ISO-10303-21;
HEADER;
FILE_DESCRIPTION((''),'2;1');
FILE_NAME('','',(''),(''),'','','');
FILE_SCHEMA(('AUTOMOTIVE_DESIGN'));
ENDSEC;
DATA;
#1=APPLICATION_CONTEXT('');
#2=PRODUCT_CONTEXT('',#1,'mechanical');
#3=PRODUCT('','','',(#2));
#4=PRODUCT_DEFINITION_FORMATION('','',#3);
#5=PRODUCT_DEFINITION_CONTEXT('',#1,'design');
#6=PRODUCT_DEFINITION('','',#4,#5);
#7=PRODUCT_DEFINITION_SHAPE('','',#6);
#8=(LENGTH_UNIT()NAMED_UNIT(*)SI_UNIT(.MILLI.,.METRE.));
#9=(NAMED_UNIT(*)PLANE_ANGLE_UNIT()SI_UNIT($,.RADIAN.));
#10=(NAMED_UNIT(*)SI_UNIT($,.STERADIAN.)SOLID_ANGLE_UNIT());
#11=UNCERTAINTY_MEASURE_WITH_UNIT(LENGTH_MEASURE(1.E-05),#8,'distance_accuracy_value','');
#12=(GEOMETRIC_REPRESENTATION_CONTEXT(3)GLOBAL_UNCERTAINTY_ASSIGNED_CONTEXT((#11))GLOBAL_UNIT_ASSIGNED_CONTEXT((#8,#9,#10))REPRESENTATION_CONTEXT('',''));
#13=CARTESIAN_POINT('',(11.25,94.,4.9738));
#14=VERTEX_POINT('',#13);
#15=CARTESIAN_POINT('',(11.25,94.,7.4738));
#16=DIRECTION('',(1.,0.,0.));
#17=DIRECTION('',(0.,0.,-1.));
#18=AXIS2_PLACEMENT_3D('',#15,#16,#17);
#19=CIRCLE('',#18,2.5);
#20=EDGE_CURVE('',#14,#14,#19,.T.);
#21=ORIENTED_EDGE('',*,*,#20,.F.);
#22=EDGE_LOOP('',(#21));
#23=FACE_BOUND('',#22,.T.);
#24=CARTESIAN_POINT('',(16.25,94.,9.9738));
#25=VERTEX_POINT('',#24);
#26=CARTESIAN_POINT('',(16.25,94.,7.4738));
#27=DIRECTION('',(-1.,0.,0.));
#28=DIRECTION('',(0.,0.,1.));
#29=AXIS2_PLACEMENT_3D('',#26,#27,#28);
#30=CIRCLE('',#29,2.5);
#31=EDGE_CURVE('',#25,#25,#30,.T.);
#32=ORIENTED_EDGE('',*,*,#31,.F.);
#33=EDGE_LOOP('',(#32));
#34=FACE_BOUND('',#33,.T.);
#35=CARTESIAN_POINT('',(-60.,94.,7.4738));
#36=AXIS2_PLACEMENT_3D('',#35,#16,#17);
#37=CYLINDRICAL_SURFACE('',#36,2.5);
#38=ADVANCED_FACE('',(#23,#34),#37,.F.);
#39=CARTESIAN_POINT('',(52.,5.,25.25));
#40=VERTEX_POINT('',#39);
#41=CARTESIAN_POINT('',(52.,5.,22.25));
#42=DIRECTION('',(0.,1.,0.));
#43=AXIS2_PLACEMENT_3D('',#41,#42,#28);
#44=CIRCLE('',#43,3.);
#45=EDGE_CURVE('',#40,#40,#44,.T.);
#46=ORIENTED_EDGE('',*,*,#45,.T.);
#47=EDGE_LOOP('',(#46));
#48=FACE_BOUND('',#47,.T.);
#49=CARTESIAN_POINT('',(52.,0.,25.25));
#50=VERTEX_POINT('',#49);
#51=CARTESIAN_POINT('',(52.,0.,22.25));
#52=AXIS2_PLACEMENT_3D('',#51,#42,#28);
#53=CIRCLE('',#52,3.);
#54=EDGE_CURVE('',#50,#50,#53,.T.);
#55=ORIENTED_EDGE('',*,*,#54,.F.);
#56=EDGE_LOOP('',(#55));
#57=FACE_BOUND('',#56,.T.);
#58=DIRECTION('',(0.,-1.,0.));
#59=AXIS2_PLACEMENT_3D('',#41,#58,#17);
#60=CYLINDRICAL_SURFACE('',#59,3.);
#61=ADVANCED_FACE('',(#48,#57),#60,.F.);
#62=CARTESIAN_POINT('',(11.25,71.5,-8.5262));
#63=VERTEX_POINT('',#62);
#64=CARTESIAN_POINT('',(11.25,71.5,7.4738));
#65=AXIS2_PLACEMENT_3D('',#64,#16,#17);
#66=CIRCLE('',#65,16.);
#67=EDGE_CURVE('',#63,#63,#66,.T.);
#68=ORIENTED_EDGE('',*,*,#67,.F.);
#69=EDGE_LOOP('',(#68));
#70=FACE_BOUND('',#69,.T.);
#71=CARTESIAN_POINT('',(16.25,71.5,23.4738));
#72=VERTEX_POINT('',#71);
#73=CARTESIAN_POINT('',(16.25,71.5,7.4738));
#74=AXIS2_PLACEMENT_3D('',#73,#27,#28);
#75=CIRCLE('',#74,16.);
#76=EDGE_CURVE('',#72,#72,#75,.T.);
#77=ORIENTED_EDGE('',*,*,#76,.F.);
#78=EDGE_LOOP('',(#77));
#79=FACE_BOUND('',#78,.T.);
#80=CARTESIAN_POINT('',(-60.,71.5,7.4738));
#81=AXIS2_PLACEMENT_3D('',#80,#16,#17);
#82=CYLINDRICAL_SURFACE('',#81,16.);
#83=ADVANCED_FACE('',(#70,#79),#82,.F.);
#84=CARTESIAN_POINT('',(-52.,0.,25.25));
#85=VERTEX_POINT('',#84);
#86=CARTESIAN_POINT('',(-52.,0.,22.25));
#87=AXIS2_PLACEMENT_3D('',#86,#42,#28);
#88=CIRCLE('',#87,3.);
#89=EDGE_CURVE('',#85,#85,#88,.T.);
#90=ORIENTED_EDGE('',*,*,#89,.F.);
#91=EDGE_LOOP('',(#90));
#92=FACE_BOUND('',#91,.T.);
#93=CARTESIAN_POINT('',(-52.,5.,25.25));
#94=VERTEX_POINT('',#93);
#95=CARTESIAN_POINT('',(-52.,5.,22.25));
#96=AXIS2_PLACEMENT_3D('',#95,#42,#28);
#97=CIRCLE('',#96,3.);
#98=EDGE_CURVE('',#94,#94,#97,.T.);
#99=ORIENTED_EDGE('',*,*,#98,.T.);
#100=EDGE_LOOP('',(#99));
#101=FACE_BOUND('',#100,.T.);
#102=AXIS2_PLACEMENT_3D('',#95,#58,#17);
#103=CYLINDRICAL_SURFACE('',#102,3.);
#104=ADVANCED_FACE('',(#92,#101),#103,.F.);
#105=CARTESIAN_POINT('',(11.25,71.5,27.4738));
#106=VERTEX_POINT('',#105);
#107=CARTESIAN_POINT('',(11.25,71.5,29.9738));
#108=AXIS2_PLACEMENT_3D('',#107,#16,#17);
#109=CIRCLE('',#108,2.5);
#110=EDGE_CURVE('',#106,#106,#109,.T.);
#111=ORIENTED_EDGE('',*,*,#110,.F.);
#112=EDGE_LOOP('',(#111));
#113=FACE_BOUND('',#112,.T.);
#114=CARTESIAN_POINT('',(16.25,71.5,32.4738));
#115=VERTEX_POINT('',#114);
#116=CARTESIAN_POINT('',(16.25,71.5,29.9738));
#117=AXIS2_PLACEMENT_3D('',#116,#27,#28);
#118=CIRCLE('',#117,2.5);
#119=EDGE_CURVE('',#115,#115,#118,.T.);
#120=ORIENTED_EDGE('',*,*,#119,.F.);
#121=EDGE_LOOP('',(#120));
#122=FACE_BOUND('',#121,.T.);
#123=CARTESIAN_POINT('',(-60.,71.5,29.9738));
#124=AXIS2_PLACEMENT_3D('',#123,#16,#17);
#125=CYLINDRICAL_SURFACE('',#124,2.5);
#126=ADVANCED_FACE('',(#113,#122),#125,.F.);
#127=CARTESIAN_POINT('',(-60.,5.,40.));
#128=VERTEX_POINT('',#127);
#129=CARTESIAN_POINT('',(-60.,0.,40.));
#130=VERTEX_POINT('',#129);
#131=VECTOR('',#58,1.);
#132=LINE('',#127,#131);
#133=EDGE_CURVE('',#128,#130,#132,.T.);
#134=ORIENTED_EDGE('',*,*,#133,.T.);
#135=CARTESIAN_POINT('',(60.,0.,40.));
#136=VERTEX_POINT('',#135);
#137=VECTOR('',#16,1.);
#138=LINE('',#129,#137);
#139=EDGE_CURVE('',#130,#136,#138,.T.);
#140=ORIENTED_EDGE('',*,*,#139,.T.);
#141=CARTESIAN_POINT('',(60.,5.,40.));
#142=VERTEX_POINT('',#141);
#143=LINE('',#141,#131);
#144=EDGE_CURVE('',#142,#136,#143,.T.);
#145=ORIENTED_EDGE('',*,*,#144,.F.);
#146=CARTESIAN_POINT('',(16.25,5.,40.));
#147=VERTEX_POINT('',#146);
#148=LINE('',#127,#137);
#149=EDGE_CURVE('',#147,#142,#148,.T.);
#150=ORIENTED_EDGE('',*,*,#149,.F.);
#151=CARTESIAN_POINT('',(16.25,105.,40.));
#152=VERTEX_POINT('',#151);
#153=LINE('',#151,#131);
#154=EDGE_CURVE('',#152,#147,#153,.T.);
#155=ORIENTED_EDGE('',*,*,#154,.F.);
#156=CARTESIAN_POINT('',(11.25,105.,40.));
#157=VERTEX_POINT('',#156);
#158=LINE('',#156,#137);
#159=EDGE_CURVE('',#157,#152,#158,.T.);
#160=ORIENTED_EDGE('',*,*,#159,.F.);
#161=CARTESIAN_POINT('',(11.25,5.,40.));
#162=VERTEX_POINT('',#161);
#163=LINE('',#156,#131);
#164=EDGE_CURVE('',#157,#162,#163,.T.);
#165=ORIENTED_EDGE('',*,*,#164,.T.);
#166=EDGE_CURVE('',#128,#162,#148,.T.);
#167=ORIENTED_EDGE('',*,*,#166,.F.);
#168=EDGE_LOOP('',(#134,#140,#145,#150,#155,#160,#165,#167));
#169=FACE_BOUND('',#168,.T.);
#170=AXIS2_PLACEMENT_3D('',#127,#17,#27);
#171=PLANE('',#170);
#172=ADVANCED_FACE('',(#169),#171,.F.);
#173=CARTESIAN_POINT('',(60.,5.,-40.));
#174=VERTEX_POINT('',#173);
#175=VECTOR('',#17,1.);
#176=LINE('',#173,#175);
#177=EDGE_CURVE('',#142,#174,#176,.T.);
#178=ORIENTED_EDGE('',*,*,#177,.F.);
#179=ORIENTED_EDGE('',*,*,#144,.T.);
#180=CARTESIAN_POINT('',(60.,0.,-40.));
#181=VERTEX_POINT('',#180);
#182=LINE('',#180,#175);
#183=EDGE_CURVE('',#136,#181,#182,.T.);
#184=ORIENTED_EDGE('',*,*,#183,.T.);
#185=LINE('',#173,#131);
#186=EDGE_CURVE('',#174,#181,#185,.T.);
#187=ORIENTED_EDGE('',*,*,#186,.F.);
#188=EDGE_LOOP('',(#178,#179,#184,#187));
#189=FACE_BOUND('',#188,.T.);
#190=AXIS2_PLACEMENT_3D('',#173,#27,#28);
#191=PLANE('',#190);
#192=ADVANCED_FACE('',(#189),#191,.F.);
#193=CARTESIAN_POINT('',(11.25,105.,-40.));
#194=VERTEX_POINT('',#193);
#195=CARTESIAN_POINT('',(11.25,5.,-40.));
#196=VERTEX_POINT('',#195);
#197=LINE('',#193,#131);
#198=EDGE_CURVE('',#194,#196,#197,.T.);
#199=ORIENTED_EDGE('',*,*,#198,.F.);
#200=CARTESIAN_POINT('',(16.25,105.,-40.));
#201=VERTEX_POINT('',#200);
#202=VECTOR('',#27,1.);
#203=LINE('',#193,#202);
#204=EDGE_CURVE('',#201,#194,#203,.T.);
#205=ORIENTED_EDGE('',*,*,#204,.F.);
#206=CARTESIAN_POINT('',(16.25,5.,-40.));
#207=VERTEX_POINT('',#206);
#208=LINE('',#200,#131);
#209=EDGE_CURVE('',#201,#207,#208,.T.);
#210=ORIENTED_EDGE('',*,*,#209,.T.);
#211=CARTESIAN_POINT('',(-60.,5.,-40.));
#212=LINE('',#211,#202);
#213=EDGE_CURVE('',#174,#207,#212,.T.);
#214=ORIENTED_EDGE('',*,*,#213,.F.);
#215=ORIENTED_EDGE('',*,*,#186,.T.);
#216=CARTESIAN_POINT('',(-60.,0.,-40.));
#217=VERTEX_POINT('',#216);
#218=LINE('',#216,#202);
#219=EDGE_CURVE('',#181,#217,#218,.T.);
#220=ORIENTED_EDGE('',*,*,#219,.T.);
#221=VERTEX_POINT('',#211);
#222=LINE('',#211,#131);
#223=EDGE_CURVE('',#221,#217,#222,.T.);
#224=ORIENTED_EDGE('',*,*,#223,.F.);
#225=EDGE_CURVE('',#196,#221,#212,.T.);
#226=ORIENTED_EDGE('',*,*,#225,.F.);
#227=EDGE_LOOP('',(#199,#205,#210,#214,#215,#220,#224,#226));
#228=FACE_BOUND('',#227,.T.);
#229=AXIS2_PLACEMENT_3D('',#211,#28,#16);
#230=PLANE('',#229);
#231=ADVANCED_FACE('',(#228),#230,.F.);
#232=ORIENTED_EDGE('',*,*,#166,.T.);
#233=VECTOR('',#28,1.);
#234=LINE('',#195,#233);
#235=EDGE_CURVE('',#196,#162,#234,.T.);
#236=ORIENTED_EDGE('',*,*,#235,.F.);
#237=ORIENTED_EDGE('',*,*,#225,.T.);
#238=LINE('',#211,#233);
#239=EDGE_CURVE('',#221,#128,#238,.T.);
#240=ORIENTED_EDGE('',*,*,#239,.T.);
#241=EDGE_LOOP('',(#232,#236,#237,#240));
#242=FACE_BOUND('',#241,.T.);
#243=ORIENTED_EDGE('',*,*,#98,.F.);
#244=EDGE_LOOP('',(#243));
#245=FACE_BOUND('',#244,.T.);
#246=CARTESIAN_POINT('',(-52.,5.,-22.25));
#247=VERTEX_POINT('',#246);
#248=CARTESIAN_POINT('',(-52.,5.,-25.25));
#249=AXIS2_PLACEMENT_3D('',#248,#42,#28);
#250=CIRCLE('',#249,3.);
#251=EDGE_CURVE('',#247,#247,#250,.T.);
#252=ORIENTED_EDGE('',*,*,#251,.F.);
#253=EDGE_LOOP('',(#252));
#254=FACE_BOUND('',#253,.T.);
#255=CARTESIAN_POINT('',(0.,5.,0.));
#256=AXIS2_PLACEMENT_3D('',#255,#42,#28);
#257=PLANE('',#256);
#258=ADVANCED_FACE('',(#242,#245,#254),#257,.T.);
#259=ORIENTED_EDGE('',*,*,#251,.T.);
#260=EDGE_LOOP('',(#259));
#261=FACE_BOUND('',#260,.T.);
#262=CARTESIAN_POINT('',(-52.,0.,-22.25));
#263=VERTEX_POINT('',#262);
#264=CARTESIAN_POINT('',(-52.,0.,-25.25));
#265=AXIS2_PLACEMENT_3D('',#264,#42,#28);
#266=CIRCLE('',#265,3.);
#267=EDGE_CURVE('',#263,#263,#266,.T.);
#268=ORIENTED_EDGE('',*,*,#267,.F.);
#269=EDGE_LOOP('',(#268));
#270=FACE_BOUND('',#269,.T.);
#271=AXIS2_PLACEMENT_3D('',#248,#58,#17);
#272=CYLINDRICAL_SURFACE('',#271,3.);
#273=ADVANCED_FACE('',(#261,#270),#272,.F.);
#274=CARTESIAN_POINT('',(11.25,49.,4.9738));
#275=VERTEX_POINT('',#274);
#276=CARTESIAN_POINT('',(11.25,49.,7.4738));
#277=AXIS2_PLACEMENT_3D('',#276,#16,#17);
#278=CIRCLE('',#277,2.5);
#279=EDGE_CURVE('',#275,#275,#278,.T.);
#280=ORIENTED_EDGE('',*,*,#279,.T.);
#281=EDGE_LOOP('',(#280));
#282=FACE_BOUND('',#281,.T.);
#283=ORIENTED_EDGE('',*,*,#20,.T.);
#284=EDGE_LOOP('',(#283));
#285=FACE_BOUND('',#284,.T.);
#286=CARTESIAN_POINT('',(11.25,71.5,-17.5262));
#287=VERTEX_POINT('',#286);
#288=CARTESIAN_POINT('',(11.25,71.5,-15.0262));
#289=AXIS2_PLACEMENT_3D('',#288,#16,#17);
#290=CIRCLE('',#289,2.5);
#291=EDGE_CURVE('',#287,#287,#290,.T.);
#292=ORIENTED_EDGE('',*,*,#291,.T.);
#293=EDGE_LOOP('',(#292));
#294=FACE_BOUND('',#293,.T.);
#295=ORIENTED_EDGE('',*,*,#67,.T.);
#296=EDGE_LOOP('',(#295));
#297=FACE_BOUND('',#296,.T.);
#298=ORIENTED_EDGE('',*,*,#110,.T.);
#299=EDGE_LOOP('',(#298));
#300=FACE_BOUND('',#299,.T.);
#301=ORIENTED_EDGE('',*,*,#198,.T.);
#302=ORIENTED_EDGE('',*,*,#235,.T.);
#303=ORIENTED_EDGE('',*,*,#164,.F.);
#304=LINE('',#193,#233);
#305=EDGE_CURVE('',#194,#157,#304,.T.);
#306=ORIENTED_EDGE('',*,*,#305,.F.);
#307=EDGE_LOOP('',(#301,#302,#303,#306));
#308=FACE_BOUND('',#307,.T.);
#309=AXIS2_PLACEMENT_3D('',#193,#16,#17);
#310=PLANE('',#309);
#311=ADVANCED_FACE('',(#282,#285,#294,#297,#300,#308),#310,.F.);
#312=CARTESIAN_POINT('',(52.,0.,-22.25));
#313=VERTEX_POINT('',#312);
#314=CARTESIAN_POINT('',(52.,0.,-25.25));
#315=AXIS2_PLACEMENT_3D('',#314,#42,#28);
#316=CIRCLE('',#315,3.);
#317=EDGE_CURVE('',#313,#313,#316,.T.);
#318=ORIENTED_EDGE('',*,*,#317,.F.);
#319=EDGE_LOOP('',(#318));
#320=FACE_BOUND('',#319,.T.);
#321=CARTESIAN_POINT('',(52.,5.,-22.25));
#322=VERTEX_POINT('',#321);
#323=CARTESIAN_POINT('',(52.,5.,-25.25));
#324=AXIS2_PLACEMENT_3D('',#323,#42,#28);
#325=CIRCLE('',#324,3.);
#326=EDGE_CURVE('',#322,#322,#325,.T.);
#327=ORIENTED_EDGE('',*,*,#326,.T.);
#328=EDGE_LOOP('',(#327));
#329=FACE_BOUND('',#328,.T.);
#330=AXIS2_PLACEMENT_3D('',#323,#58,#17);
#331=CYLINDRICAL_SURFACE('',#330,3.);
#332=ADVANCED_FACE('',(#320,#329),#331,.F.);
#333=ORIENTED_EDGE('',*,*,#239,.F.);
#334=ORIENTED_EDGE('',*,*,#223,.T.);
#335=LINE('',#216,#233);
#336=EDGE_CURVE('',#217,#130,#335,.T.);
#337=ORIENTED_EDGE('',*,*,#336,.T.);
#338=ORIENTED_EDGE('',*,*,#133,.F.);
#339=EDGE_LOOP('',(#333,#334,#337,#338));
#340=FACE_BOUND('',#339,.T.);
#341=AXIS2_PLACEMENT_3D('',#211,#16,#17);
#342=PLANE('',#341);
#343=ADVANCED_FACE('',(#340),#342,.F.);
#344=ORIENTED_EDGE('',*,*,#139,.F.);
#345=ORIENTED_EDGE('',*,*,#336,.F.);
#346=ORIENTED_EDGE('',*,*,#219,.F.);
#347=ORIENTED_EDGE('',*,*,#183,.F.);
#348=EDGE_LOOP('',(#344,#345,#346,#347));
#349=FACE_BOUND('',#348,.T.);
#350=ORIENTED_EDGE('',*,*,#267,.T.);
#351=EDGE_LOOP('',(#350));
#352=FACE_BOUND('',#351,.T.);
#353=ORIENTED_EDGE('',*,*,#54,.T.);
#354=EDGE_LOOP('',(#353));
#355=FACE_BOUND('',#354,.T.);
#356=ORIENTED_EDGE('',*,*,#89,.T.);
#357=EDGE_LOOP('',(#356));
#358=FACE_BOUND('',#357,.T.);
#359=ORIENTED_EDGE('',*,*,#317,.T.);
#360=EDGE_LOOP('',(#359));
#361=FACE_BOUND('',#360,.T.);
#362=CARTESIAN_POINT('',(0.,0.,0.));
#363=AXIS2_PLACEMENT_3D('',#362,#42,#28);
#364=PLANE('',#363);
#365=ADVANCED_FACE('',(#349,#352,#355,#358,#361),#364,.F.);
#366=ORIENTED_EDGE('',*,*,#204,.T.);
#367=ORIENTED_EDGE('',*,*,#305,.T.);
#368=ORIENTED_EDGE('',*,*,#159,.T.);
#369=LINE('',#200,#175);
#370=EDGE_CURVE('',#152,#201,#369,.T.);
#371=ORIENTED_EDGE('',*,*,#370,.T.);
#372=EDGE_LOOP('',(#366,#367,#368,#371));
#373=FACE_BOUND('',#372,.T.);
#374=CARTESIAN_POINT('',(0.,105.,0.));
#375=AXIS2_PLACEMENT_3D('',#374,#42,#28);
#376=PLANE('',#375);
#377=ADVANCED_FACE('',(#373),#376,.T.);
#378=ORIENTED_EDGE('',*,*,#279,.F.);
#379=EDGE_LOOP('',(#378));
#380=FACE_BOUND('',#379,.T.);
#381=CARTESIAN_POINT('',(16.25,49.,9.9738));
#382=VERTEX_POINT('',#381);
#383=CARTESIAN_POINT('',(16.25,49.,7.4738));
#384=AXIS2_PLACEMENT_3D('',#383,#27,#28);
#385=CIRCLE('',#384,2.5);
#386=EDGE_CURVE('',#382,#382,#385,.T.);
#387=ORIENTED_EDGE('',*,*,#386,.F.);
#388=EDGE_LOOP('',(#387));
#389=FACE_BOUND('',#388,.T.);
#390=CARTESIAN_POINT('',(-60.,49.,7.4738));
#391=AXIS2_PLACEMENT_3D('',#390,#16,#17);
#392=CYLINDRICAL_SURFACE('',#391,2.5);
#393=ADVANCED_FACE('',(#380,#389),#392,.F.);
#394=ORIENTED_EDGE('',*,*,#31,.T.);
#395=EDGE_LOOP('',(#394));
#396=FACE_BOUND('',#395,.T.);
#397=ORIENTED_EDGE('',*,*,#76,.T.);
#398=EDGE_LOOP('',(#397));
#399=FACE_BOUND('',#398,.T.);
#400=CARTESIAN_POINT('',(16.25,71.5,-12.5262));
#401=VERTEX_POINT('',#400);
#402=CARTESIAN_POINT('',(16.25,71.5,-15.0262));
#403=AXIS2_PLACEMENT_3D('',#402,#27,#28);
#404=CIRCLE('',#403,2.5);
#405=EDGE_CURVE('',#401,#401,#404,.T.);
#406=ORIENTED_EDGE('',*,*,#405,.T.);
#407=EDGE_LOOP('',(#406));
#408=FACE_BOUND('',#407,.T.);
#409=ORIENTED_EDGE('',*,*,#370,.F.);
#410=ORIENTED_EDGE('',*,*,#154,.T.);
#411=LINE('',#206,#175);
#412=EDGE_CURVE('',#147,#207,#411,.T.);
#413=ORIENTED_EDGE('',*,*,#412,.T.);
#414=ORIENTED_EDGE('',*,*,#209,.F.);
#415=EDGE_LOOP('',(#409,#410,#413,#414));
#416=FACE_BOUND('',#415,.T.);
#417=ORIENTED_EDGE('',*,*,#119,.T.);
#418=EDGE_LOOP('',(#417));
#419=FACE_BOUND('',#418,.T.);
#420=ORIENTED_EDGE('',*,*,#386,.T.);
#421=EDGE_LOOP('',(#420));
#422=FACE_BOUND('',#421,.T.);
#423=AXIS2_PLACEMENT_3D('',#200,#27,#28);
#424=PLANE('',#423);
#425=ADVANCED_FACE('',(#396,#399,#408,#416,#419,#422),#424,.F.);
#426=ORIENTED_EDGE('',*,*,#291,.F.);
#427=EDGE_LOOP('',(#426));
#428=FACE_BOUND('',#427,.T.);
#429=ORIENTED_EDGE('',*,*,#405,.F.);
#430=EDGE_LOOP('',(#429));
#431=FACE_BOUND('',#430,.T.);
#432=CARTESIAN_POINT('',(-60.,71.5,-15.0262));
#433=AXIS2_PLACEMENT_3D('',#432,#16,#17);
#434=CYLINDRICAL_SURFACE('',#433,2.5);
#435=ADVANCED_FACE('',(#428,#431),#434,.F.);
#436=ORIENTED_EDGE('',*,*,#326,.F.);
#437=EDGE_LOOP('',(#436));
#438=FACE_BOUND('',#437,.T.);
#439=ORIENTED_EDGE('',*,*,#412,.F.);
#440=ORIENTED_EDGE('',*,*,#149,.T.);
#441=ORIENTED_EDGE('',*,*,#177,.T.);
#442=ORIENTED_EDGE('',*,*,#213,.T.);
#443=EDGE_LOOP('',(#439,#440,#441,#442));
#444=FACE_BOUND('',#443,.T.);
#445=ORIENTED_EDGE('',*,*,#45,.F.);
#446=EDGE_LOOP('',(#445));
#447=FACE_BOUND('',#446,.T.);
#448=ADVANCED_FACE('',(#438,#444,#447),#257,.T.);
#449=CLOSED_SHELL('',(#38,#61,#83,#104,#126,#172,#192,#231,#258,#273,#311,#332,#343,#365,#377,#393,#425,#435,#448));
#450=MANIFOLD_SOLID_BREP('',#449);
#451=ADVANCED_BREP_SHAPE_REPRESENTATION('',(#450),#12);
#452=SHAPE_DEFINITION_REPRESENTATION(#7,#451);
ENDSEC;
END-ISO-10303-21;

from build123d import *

# Parameters (mm, degrees)
SKETCH1_W               = 120
SKETCH1_H               = 80
SKETCH1_R               = 3
BOSS_EXTRUDE1_DEPTH     = 5
SKETCH2_W               = 5
SKETCH2_H               = 80
BOSS_EXTRUDE2_DEPTH     = 100
CUT_EXTRUDE1_DEPTH      = 136.790509609
CUT_EXTRUDE1_DEPTH_BACK = 136.790509609
SKETCH3_R               = 16
SKETCH3_R_2             = 2.5


with BuildPart() as part:
    # Sketch1 → Boss-Extrude1 (new body)
    with BuildSketch(Plane(origin=(0, 0, 0), x_dir=(1, 0, 0), z_dir=(0, 1, 0))):
        Rectangle(SKETCH1_W, SKETCH1_H)
        with Locations(Location((-52, 25.25, 0), (0, 0, 270))):
            Circle(SKETCH1_R, mode=Mode.SUBTRACT)
        with Locations(Location((-52, -22.25, 0), (0, 0, 270))):
            Circle(SKETCH1_R, mode=Mode.SUBTRACT)
        with Locations(Location((52, -22.25, 0), (0, 0, 270))):
            Circle(SKETCH1_R, mode=Mode.SUBTRACT)
        with Locations(Location((52, 25.25, 0), (0, 0, 270))):
            Circle(SKETCH1_R, mode=Mode.SUBTRACT)
    extrude(amount=BOSS_EXTRUDE1_DEPTH)

    # Sketch2 → Boss-Extrude2 (add)
    with BuildSketch(Plane(origin=(0, 5, 0), x_dir=(1, 0, 0), z_dir=(0, 1, 0))):
        with Locations((13.75, 0)):
            Rectangle(SKETCH2_W, SKETCH2_H)
    extrude(amount=BOSS_EXTRUDE2_DEPTH)

    # Sketch3 → Cut-Extrude1 (cut, two sides: drawn at the far end of the back side and taken through both)
    with BuildSketch(Plane(origin=(16.25, 0, 0), x_dir=(0, 0, -1), z_dir=(1, 0, 0)).offset(-CUT_EXTRUDE1_DEPTH_BACK)):
        with Locations((-7.473800103, 71.5)):
            Circle(SKETCH3_R)
        with Locations((-29.973800103, 71.5)):
            Circle(SKETCH3_R_2)
        with Locations((15.026199897, 71.5)):
            Circle(SKETCH3_R_2)
        with Locations((-7.473800103, 49)):
            Circle(SKETCH3_R_2)
        with Locations((-7.473800103, 94)):
            Circle(SKETCH3_R_2)
    extrude(amount=CUT_EXTRUDE1_DEPTH + CUT_EXTRUDE1_DEPTH_BACK, mode=Mode.SUBTRACT)


solid = part.part
